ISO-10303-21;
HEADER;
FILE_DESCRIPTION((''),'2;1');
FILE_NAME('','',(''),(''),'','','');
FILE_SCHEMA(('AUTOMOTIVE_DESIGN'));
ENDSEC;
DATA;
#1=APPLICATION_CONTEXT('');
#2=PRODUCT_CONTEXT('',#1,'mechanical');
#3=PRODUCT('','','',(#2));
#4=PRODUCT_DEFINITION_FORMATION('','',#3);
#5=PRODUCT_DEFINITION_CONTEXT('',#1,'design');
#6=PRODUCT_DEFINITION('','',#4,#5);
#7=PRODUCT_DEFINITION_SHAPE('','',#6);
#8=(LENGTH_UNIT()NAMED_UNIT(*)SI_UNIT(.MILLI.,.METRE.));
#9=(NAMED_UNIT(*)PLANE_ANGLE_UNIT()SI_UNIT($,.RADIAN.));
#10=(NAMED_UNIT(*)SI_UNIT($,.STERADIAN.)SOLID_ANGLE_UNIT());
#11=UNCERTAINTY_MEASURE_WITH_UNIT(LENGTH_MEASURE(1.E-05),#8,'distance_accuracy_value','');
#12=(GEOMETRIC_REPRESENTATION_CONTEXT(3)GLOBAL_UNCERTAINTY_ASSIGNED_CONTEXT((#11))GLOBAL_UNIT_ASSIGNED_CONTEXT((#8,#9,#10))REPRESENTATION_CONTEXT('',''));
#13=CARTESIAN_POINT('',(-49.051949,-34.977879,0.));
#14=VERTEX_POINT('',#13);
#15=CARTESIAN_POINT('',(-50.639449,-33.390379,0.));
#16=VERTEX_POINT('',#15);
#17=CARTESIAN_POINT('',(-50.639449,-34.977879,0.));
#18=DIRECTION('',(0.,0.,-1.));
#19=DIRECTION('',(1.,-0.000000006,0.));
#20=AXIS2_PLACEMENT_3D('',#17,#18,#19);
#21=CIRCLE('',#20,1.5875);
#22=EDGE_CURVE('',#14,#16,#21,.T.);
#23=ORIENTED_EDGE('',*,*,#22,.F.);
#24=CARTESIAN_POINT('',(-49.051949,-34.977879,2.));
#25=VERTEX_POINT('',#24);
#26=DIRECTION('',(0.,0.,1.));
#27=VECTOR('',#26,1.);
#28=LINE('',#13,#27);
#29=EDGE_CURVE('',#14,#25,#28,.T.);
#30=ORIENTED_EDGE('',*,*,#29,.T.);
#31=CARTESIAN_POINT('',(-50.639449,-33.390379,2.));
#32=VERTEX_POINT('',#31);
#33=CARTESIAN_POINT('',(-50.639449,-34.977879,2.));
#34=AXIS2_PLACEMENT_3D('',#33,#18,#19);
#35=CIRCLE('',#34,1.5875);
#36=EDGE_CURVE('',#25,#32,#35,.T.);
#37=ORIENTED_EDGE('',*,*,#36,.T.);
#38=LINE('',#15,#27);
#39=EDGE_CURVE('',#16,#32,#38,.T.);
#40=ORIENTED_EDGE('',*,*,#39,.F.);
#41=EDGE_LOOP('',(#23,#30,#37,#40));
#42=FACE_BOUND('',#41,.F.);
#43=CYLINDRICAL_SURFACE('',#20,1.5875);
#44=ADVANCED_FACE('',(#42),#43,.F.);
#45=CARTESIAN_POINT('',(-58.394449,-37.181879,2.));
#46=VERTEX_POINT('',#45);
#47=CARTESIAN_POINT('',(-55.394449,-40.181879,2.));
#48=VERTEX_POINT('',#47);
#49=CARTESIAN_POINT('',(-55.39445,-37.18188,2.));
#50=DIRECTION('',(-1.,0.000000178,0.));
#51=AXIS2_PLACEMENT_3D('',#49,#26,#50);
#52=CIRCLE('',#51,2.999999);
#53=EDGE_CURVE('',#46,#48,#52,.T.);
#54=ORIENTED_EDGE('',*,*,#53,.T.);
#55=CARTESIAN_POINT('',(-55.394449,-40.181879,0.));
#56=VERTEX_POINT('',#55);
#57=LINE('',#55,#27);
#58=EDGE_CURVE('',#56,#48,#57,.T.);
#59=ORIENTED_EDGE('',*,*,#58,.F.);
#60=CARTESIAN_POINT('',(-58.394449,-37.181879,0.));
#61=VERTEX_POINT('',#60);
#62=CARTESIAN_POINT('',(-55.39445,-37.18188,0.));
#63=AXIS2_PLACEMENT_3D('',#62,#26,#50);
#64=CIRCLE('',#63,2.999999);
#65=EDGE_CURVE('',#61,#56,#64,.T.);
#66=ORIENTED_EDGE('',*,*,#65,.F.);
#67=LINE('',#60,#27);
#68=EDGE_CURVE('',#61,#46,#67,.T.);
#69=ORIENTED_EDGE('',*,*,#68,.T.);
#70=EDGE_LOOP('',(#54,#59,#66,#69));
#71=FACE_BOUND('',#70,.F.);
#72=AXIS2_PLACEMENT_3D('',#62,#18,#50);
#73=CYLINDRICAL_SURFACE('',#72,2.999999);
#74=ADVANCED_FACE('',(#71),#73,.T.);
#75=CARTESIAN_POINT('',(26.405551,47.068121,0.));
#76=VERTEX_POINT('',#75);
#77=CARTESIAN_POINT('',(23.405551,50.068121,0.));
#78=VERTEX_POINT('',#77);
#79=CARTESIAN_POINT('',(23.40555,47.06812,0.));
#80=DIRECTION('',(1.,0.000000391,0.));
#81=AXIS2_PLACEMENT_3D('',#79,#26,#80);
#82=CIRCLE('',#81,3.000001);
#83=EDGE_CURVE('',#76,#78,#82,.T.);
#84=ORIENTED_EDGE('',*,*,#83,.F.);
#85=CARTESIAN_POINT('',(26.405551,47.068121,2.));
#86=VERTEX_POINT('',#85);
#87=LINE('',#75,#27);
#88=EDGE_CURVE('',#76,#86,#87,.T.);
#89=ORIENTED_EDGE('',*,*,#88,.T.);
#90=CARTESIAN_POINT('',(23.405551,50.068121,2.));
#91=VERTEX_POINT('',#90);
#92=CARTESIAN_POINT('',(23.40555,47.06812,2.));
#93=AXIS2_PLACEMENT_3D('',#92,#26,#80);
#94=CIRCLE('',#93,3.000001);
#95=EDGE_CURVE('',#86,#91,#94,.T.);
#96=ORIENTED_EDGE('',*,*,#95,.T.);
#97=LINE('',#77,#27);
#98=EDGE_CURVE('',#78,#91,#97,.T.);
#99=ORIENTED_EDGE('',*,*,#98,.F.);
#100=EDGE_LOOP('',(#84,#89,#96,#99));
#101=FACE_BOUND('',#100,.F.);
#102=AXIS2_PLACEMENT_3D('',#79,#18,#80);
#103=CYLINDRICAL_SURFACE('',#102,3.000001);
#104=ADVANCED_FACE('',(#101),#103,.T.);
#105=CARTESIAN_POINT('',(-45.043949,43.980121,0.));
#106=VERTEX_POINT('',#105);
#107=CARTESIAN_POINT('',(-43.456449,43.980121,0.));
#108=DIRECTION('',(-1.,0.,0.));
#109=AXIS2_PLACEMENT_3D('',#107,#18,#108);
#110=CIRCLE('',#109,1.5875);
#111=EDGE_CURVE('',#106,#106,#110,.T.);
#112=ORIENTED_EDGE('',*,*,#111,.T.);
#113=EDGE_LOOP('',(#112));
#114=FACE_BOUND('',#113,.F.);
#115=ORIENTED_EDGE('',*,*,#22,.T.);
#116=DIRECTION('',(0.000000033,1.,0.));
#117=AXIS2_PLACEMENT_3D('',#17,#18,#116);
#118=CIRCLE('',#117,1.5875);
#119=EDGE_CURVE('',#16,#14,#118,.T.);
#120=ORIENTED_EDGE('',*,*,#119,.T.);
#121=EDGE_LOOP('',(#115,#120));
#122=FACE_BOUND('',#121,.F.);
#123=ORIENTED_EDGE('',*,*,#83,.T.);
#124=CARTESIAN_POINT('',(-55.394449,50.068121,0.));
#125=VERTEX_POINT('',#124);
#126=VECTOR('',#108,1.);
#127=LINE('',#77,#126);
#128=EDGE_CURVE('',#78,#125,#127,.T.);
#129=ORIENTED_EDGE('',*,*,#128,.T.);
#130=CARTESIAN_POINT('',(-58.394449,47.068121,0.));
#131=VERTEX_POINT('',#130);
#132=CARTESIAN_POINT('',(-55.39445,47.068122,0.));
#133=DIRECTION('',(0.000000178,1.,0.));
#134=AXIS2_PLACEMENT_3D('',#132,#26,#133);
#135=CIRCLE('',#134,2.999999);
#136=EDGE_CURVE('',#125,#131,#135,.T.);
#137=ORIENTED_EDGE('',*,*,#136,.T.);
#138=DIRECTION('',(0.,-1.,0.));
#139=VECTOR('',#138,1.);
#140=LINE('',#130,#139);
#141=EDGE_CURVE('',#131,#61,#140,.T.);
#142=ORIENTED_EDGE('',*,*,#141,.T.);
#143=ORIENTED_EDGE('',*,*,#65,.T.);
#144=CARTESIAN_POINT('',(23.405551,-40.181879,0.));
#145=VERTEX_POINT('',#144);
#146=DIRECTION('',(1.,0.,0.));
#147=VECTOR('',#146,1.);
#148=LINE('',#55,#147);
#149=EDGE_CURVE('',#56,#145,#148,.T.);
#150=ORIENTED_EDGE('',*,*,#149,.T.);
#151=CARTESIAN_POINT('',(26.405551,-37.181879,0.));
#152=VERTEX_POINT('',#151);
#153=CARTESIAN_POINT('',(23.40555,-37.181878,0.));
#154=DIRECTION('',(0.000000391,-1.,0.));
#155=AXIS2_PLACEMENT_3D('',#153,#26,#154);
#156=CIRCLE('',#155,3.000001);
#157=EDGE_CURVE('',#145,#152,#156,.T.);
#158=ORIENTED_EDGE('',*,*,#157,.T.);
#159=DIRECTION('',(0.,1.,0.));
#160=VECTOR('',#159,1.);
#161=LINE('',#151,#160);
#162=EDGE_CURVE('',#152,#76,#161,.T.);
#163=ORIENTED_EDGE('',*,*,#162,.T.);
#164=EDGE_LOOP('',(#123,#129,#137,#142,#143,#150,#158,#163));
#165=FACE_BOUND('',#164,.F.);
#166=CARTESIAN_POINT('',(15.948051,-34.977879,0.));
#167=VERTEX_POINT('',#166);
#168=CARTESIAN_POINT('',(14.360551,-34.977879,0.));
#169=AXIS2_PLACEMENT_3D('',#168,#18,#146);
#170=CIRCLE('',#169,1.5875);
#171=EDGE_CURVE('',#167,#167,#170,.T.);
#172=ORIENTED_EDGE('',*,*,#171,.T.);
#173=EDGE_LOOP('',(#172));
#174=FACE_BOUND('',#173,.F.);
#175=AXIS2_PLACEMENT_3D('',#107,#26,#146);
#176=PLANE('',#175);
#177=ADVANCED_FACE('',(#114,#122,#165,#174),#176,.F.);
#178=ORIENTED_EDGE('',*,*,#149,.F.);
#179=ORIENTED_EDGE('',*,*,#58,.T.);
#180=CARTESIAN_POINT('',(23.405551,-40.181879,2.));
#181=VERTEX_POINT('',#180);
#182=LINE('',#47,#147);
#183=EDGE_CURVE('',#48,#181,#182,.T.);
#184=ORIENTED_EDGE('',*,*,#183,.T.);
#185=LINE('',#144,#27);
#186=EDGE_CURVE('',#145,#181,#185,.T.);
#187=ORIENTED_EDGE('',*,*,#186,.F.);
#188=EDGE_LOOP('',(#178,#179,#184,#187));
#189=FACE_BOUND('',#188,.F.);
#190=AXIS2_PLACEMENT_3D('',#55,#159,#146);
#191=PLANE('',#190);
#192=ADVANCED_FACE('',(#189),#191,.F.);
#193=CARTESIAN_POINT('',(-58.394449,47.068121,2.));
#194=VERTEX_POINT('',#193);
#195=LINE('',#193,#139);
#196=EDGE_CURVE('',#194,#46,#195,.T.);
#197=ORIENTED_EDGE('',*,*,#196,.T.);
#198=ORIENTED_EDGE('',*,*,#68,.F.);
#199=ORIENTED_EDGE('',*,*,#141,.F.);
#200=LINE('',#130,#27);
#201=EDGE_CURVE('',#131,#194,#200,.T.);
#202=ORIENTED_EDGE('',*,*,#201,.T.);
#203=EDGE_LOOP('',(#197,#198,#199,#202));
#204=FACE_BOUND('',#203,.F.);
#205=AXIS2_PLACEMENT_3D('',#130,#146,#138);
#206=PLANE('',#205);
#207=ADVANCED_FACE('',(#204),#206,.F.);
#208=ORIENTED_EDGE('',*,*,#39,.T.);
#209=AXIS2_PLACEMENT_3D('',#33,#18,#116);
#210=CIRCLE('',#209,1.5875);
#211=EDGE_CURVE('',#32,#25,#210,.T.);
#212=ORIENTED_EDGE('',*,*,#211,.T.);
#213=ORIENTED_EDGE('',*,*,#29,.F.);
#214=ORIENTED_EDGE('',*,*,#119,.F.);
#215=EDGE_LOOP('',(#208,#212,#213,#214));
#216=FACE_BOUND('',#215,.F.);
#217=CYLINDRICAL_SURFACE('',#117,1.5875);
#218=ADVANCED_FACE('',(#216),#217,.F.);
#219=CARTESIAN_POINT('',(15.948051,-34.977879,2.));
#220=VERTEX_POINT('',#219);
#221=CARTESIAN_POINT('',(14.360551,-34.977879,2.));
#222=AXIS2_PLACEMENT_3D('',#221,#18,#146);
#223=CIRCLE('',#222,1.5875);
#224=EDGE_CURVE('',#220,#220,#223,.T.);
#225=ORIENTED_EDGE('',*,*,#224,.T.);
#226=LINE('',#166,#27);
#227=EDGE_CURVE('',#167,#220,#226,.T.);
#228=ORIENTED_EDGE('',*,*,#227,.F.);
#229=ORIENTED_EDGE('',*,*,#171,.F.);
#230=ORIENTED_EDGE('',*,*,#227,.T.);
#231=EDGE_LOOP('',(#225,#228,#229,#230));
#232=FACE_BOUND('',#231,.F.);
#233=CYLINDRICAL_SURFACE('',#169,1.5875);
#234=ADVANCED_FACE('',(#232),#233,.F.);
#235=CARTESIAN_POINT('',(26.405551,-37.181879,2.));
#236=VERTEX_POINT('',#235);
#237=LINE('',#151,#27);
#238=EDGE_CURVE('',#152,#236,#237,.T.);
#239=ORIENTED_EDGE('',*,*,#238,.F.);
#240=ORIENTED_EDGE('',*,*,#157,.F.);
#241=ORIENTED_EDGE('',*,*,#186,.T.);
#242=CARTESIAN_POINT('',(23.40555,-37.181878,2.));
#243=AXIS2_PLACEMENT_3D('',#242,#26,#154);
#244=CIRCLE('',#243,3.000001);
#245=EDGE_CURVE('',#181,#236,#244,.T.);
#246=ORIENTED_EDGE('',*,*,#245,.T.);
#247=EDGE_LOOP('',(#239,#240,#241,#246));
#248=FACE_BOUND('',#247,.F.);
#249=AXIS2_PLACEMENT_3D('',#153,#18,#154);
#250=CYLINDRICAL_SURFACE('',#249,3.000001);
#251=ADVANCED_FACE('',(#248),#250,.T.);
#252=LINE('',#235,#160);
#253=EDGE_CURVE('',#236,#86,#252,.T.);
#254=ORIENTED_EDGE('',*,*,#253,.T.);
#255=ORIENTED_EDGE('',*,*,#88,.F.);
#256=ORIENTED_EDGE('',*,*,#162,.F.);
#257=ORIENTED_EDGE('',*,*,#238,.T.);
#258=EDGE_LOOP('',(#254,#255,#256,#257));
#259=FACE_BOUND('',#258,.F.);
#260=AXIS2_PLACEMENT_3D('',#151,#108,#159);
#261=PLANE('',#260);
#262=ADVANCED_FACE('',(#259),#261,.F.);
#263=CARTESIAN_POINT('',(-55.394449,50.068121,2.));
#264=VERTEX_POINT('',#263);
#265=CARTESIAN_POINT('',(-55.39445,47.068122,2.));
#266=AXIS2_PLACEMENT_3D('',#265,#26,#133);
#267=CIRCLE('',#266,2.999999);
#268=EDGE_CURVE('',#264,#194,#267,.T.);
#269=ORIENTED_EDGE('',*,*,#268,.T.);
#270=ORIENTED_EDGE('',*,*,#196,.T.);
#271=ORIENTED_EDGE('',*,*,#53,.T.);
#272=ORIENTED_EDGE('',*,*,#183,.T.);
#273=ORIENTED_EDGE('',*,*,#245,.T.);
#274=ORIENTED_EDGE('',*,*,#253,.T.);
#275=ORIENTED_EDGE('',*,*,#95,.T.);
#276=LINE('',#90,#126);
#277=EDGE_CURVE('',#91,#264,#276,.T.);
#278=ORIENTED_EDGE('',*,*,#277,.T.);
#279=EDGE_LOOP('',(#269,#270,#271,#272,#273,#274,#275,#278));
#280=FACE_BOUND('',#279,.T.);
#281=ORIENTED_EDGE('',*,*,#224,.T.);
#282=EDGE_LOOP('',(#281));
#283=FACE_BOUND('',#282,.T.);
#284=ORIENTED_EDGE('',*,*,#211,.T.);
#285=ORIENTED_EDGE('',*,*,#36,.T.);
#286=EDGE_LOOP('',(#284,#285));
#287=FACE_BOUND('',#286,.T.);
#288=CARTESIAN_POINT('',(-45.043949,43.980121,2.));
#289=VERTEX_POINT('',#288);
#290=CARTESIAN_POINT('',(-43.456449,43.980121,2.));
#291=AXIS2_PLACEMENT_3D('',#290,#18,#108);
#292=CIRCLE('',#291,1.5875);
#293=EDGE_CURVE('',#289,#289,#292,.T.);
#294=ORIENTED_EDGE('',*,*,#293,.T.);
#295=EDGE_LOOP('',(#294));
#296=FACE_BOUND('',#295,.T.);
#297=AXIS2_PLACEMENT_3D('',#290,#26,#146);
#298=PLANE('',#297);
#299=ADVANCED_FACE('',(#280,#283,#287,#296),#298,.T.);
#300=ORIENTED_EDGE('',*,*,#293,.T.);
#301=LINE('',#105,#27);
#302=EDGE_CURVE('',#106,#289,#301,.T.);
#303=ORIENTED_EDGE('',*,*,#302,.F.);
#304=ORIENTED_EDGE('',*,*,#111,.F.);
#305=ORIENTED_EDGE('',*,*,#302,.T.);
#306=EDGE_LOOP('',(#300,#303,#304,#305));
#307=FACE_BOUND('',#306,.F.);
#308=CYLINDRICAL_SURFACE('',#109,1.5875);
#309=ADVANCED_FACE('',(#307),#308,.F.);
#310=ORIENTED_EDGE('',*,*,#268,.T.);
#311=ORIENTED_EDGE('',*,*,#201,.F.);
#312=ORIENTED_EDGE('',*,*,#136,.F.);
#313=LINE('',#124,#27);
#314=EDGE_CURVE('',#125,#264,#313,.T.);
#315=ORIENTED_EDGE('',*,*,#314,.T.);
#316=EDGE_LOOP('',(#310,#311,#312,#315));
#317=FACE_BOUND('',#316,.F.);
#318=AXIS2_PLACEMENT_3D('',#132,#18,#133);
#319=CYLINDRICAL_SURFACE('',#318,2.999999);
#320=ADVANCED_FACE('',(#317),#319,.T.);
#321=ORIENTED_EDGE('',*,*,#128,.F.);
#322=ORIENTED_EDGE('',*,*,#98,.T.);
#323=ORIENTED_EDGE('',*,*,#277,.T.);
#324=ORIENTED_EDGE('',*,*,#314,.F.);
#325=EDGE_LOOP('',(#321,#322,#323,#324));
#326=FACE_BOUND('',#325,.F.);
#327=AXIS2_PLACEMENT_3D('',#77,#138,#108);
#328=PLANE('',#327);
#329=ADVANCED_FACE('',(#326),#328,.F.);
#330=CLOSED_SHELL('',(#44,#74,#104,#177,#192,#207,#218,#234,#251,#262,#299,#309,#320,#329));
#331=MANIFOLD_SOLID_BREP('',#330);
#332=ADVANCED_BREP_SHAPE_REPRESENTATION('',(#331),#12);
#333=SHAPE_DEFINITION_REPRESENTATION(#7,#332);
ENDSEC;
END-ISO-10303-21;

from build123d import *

# Parameters (mm, degrees)
F1_DEPTH = 2


with BuildPart() as f1:
    # F0 (on Top) → F1 (new body)
    with BuildSketch(Plane.XY):
        with BuildLine():
            ThreePointArc((-41.868949, 43.980121), (-43.456449, 45.567621), (-45.043949, 43.980121))
            ThreePointArc((-45.043949, 43.980121), (-43.456449, 42.392621), (-41.868949, 43.980121))
        make_face()
        with BuildLine():
            Line((23.405551, 50.068121), (-55.394449, 50.068121))
            ThreePointArc((-55.394449, 50.068121), (-57.51577, 49.189441), (-58.394449, 47.068121))
            Line((-58.394449, 47.068121), (-58.394449, -37.181879))
            ThreePointArc((-58.394449, -37.181879), (-57.51577, -39.303199), (-55.394449, -40.181879))
            Line((-55.394449, -40.181879), (23.405551, -40.181879))
            ThreePointArc((23.405551, -40.181879), (25.526871, -39.303199), (26.405551, -37.181879))
            Line((26.405551, -37.181879), (26.405551, -34.977879))
            Line((26.405551, -34.977879), (26.405551, 47.068121))
            ThreePointArc((26.405551, 47.068121), (25.526871, 49.189441), (23.405551, 50.068121))
        make_face()
        with BuildLine():
            ThreePointArc((-50.639449, -33.390379), (-49.516917, -33.855347), (-49.051949, -34.977879))
            ThreePointArc((-49.051949, -34.977879), (-51.761981, -36.100411), (-50.639449, -33.390379))
        make_face(mode=Mode.SUBTRACT)
        with BuildLine():
            ThreePointArc((12.773051, -34.977879), (14.360551, -33.390379), (15.948051, -34.977879))
            ThreePointArc((15.948051, -34.977879), (14.360551, -36.565379), (12.773051, -34.977879))
        make_face(mode=Mode.SUBTRACT)
        with BuildLine():
            ThreePointArc((-41.868949, 43.980121), (-43.456449, 42.392621), (-45.043949, 43.980121))
            ThreePointArc((-45.043949, 43.980121), (-43.456449, 45.567621), (-41.868949, 43.980121))
        make_face(mode=Mode.SUBTRACT)
    extrude(amount=F1_DEPTH)


solid = f1.part
